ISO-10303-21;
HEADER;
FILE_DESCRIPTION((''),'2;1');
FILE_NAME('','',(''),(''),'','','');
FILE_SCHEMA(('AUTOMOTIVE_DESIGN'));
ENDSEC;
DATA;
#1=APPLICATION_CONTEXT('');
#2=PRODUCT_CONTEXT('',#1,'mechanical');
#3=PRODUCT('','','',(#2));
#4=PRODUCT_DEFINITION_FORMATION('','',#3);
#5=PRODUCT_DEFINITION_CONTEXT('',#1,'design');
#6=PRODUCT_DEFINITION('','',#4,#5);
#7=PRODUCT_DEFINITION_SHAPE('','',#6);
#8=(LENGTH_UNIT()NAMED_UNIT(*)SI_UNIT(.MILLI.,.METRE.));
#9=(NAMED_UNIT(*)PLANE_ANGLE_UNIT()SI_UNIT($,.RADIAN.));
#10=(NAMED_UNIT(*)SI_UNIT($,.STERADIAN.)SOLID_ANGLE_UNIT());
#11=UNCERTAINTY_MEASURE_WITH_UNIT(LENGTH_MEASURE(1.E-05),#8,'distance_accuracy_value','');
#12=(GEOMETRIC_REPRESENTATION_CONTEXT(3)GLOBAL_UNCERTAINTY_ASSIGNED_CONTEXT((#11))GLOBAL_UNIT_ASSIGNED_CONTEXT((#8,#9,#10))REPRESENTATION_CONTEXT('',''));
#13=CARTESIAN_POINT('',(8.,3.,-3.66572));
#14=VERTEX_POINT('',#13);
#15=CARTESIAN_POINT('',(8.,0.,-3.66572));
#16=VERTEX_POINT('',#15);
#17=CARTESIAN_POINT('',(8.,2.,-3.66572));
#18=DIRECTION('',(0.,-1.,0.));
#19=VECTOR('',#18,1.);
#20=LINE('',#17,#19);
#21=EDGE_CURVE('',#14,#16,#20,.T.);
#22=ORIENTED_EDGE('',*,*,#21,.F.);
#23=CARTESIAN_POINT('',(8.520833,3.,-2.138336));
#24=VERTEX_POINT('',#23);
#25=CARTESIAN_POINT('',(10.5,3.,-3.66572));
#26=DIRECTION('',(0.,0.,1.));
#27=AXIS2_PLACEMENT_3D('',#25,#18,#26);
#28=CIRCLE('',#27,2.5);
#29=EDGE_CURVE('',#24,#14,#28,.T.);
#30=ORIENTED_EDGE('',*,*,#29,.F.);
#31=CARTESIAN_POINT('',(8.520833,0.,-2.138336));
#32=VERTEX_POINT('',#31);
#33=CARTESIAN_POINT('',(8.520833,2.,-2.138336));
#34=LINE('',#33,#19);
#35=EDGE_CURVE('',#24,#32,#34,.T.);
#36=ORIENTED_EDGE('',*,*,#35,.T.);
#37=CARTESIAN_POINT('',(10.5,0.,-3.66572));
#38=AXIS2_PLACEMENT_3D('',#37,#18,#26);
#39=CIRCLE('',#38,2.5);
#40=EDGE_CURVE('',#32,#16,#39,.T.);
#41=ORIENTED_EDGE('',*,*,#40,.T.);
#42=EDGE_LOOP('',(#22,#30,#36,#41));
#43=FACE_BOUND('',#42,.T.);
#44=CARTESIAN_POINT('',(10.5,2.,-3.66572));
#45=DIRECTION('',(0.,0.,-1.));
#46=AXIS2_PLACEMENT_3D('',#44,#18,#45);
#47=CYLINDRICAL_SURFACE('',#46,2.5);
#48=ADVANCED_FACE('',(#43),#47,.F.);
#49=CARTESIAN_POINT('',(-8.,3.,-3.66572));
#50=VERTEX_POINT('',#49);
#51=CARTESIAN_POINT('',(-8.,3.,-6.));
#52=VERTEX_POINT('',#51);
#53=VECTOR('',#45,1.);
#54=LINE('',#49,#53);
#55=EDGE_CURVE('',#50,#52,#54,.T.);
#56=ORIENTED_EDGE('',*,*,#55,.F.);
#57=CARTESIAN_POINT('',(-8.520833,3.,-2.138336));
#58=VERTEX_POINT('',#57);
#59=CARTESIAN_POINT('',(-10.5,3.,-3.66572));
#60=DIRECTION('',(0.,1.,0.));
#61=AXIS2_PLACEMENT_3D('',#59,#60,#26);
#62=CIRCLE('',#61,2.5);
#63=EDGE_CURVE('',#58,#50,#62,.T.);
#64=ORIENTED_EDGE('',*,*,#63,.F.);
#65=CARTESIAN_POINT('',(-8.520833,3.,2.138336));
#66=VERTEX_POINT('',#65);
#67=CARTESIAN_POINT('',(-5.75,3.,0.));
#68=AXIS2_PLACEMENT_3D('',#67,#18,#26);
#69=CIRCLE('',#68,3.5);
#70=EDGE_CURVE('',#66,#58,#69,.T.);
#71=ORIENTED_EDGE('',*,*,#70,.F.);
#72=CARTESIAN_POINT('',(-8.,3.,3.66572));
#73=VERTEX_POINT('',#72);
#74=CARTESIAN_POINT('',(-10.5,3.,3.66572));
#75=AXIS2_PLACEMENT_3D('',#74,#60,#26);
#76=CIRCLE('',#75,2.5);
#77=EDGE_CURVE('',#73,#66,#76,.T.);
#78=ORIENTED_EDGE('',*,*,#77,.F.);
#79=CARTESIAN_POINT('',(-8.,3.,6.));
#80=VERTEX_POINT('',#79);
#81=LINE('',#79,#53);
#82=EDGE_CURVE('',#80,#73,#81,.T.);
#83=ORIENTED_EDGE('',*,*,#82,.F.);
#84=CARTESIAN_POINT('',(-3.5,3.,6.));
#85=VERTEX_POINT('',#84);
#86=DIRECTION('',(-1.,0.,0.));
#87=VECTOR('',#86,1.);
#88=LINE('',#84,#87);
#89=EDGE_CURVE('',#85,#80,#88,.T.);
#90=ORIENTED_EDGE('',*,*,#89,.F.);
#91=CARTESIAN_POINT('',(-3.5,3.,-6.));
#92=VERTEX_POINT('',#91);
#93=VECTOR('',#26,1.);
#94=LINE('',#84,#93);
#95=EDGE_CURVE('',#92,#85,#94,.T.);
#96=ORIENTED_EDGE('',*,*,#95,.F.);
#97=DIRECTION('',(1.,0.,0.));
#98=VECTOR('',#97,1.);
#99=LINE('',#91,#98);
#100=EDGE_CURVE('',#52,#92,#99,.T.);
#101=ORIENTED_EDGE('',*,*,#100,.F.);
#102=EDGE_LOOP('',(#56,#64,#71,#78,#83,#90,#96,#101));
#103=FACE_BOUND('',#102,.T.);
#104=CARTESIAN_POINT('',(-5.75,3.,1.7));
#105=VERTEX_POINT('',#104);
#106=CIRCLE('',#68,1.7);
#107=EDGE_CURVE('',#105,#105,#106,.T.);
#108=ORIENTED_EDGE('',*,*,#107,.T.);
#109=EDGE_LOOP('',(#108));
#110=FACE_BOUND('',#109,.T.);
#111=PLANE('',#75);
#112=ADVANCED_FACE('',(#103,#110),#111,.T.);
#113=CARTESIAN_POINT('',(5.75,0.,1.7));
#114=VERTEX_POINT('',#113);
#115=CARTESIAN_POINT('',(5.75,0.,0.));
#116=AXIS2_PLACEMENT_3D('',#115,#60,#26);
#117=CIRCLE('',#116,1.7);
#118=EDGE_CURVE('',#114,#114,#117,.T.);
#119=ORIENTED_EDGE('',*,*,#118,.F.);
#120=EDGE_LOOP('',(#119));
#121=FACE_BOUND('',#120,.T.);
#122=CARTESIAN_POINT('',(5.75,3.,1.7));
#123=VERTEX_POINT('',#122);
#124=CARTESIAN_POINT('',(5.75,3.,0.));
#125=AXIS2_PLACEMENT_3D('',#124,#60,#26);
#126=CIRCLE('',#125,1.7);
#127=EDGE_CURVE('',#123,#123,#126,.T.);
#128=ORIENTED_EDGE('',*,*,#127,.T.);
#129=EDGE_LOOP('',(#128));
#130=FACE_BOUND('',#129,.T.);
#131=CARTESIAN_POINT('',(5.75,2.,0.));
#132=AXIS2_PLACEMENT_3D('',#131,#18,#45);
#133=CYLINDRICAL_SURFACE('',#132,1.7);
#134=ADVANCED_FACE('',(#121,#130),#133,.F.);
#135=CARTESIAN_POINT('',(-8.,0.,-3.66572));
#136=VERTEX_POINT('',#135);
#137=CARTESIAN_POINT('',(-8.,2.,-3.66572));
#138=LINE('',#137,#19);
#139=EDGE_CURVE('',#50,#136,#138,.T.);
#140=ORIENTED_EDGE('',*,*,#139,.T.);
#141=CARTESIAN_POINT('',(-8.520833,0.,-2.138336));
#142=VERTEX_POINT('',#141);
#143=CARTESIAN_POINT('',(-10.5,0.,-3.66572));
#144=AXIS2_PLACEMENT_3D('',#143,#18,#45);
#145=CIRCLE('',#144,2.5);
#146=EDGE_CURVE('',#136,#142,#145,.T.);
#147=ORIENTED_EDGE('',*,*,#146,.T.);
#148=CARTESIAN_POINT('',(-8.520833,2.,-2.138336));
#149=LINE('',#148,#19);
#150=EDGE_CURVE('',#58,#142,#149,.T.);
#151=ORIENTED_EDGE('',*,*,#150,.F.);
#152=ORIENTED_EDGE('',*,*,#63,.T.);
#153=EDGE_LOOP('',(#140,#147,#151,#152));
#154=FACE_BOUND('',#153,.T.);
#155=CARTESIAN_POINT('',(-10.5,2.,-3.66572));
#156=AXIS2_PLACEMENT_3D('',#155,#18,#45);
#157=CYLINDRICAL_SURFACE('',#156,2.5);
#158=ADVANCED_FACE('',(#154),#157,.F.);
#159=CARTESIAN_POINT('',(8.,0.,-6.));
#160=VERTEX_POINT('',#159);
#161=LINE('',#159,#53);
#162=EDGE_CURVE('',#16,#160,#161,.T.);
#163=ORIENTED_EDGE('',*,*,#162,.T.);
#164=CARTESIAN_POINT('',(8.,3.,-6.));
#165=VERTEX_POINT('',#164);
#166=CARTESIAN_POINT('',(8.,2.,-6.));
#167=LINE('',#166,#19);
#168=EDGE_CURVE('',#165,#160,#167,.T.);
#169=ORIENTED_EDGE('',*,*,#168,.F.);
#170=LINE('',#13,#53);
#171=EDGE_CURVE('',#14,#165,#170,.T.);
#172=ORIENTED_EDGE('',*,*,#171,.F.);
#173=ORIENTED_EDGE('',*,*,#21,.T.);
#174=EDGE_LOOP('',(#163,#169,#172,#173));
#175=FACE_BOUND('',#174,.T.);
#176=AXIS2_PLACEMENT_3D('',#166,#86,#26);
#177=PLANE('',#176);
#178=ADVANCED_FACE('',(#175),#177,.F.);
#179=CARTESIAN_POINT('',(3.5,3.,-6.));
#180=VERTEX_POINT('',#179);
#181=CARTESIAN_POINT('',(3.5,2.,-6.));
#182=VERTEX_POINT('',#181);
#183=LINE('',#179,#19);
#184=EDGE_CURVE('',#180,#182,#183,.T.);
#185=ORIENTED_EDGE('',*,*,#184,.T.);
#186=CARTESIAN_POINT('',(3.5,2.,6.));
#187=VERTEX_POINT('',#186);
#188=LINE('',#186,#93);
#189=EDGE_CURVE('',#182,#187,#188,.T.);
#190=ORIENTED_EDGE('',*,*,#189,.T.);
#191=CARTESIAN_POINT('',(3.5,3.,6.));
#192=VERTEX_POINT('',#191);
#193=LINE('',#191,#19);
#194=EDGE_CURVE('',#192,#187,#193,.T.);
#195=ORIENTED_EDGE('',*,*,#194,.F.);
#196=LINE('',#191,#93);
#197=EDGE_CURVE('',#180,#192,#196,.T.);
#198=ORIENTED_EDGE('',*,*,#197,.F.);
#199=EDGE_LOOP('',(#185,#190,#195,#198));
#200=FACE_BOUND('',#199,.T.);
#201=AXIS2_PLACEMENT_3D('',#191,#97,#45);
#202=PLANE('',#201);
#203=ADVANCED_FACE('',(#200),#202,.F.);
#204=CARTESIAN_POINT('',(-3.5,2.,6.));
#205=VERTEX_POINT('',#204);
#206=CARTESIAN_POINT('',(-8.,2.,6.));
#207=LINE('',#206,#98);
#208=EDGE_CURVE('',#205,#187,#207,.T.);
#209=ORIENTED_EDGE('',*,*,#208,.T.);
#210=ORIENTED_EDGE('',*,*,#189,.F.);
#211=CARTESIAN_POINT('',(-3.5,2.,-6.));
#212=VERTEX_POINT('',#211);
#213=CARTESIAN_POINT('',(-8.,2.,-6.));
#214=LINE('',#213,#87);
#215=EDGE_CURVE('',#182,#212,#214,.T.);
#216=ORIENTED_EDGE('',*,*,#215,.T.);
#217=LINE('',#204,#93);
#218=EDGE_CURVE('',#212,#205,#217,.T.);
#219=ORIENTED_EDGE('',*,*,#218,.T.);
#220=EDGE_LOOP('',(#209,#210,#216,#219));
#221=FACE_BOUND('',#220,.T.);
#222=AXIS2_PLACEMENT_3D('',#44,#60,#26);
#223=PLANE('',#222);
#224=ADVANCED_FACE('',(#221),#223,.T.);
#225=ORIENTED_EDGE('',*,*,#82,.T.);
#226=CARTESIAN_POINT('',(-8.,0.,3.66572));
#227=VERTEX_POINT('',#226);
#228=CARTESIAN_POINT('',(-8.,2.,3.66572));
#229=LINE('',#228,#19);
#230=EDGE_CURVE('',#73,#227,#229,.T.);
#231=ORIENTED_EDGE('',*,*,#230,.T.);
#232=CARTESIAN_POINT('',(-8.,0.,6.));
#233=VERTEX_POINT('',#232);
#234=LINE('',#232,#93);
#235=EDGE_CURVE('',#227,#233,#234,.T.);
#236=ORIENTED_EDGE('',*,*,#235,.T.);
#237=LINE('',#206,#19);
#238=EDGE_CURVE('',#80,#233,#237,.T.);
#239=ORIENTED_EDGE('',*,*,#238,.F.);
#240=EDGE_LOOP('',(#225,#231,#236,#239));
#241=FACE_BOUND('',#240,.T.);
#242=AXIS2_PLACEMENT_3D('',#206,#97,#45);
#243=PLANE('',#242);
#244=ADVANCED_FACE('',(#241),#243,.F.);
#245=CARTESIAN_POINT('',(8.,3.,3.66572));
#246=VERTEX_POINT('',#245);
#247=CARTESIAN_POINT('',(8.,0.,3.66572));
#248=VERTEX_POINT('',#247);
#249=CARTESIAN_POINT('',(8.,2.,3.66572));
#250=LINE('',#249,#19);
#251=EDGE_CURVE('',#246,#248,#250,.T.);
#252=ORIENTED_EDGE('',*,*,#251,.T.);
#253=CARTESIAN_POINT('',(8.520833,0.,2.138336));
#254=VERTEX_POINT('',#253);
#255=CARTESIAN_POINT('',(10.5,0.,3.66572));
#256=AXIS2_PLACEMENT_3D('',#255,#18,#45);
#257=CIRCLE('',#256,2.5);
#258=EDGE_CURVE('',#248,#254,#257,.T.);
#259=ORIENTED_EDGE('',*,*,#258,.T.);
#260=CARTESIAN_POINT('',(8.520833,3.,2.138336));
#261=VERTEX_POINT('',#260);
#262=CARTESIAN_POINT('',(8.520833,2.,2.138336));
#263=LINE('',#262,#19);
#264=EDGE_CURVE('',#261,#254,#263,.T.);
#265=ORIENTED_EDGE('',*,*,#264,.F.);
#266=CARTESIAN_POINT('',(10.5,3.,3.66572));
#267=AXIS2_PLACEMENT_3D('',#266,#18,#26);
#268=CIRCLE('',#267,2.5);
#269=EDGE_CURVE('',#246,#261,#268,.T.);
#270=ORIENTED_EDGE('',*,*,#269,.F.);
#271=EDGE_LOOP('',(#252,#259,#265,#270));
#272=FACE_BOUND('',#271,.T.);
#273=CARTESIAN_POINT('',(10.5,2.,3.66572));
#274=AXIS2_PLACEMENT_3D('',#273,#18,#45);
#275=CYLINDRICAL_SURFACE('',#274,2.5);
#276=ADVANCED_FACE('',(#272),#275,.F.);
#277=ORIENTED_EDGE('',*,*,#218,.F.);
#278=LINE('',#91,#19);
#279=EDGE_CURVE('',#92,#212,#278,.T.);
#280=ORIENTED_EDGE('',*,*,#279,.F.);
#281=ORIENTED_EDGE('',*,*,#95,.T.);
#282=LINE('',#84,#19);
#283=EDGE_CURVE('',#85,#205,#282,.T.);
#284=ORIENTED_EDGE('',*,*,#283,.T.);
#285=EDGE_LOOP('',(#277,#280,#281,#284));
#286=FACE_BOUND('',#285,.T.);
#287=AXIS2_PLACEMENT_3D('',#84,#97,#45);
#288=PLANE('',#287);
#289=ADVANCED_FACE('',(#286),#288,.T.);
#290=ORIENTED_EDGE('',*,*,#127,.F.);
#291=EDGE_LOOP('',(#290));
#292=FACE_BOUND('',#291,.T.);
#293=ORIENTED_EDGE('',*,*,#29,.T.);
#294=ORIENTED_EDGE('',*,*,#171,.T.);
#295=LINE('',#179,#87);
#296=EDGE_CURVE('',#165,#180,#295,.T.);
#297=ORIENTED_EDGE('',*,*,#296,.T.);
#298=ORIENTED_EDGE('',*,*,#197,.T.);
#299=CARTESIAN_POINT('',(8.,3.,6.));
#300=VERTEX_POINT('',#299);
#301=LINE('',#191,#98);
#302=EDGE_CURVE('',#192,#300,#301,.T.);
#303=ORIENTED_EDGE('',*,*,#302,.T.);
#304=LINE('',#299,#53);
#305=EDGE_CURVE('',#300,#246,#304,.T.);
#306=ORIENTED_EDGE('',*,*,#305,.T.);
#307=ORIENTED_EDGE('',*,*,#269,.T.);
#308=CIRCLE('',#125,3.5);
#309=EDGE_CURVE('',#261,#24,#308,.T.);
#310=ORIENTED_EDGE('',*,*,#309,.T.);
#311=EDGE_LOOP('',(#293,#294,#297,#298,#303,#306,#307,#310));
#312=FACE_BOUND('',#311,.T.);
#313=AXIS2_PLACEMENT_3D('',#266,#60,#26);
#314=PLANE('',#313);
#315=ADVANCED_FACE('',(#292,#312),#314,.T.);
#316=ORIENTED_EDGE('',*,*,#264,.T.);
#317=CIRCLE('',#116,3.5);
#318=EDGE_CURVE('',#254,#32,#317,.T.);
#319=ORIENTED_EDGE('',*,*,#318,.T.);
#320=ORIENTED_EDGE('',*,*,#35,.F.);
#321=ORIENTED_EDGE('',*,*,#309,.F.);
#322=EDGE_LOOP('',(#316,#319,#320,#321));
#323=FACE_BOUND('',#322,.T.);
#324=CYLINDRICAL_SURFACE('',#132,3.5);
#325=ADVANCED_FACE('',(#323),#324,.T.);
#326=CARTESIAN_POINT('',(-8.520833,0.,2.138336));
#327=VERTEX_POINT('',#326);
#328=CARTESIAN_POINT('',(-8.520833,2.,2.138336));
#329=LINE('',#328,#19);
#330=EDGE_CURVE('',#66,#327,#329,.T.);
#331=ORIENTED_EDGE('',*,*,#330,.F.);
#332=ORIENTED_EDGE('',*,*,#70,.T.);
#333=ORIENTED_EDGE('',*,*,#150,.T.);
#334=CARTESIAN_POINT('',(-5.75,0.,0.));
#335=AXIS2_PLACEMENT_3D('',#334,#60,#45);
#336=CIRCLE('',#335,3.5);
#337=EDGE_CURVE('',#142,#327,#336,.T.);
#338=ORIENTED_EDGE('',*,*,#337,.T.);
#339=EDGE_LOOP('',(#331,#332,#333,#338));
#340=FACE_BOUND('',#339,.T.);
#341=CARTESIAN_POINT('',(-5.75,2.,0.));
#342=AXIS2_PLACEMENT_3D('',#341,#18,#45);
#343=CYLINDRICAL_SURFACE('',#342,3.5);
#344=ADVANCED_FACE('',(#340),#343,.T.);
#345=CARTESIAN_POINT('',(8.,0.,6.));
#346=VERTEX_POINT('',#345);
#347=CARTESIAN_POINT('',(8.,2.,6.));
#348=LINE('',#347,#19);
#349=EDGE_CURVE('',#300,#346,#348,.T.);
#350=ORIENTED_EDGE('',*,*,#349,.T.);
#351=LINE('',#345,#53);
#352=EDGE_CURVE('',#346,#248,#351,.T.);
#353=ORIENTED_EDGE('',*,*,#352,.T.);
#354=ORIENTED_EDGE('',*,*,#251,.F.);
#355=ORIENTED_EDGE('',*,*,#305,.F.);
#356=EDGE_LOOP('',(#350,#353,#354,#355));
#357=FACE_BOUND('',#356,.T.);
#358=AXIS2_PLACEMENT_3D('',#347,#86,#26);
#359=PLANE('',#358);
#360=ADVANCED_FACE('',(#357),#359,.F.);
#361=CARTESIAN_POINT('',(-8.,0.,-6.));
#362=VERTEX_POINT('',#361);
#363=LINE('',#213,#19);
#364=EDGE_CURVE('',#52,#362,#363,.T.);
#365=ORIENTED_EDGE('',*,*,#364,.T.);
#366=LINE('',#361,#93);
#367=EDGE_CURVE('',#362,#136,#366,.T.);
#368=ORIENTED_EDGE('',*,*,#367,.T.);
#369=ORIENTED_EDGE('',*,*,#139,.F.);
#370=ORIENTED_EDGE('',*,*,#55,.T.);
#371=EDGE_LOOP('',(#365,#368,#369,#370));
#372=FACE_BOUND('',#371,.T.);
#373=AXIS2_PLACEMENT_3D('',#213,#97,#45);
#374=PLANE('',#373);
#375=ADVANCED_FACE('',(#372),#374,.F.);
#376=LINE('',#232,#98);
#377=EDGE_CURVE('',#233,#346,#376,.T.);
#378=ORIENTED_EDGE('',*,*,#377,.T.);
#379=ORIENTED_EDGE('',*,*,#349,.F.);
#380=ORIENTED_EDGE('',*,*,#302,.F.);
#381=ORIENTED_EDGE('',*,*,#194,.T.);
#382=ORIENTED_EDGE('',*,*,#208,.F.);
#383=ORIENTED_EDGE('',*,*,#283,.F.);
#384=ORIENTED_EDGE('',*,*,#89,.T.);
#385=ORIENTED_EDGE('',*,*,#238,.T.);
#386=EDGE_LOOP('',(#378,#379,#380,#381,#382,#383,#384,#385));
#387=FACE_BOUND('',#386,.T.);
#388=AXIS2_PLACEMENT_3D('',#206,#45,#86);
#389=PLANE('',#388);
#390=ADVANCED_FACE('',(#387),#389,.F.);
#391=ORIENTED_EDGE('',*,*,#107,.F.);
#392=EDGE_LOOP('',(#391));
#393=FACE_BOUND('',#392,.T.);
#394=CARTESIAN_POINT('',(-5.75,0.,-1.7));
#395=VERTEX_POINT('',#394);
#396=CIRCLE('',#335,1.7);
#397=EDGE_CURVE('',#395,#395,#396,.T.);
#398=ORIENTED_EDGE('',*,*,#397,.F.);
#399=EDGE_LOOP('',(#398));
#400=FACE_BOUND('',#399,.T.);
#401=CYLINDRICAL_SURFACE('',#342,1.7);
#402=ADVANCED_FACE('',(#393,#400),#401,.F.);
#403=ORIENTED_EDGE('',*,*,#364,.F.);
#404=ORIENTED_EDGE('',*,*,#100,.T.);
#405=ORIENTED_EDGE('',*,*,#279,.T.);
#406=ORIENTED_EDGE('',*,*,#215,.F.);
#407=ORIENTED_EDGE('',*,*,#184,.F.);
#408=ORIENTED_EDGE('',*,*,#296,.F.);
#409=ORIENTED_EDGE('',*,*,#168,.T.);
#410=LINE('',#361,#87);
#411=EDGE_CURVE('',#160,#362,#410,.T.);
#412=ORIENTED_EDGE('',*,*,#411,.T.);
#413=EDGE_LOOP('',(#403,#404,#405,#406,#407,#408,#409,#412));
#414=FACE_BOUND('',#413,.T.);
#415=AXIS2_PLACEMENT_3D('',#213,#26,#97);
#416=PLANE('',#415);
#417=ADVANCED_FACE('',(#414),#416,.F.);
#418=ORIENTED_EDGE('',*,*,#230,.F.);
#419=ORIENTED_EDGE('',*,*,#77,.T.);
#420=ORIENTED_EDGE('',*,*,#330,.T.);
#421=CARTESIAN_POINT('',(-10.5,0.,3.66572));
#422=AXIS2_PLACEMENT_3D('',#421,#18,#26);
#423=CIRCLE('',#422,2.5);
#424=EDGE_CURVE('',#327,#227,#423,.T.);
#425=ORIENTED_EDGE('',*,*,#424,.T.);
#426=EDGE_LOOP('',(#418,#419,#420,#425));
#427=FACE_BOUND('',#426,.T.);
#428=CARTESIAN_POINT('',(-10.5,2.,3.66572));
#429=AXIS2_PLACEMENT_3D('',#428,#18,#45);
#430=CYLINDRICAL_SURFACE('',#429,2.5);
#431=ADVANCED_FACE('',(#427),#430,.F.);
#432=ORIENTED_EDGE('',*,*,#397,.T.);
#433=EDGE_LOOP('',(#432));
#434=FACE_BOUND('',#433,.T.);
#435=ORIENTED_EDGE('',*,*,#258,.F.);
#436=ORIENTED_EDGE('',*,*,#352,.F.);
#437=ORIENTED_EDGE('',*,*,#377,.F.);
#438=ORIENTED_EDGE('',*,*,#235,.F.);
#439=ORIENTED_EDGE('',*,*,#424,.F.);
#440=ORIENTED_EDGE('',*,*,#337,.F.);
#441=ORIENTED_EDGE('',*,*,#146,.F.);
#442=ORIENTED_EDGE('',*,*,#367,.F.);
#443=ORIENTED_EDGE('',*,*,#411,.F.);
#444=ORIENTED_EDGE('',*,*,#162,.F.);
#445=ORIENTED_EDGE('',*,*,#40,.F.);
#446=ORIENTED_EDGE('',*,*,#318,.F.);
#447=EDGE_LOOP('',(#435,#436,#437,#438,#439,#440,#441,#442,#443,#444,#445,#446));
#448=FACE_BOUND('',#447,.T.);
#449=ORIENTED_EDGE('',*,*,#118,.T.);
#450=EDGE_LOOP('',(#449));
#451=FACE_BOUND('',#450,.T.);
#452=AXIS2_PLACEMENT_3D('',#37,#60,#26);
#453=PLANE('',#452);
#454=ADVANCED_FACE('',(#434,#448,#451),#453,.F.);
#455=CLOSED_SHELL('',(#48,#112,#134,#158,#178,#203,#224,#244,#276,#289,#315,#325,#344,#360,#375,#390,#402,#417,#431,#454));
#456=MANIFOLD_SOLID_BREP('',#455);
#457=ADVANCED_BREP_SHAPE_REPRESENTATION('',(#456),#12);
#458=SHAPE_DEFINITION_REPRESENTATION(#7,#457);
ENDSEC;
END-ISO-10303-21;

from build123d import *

# Parameters (mm, degrees)
CROQUIS1_R              = 1.7
SALIENTE_EXTRUIR1_DEPTH = 2
CROQUIS5_R              = 1.7
SALIENTE_EXTRUIR3_DEPTH = 1


with BuildPart() as part:
    # Croquis1 → Saliente-Extruir1 (new body)
    with BuildSketch(Plane(origin=(0, 0, 0), x_dir=(1, 0, 0), z_dir=(0, 1, 0))):
        with BuildLine():
            Line((-8, 6), (8, 6))
            Line((8, 6), (8, 3.665719575))
            ThreePointArc((8, 3.665719575), (8.133788189, 2.858848044), (8.520833333, 2.138336419))
            ThreePointArc((8.520833333, 2.138336419), (9.25, 0), (8.520833333, -2.138336419))
            ThreePointArc((8.520833333, -2.138336419), (8.133788189, -2.858848044), (8, -3.665719575))
            Line((8, -3.665719575), (8, -6))
            Line((8, -6), (-8, -6))
            Line((-8, -6), (-8, -3.665719575))
            ThreePointArc((-8, -3.665719575), (-8.133788189, -2.858848044), (-8.520833333, -2.138336419))
            ThreePointArc((-8.520833333, -2.138336419), (-9.25, 0), (-8.520833333, 2.138336419))
            ThreePointArc((-8.520833333, 2.138336419), (-8.133788189, 2.858848044), (-8, 3.665719575))
            Line((-8, 3.665719575), (-8, 6))
        make_face()
        with Locations((5.75, 0)):
            Circle(CROQUIS1_R, mode=Mode.SUBTRACT)
        with Locations((-5.75, 0)):
            Circle(CROQUIS1_R, mode=Mode.SUBTRACT)
    extrude(amount=SALIENTE_EXTRUIR1_DEPTH)

    # Croquis5 → Saliente-Extruir3 (add)
    with BuildSketch(Plane(origin=(0, 2, 0), x_dir=(1, 0, 0), z_dir=(0, 1, 0))):
        with BuildLine():
            Line((3.5, -6), (3.5, 6))
            Line((3.5, 6), (8, 6))
            Line((8, 6), (8, 3.665719575))
            ThreePointArc((8, 3.665719575), (8.133788189, 2.858848044), (8.520833333, 2.138336419))
            ThreePointArc((8.520833333, 2.138336419), (9.25, 0), (8.520833333, -2.138336419))
            ThreePointArc((8.520833333, -2.138336419), (8.133788189, -2.858848044), (8, -3.665719575))
            Line((8, -3.665719575), (8, -6))
            Line((8, -6), (3.5, -6))
        make_face()
        with Locations((5.75, 0)):
            Circle(CROQUIS5_R, mode=Mode.SUBTRACT)
    saliente_extruir3 = extrude(amount=SALIENTE_EXTRUIR3_DEPTH)

    # Simetría1: Saliente-Extruir3 across plane
    add(saliente_extruir3.mirror(Plane(origin=(0, 0, 0), x_dir=(0, 0, 1), z_dir=(1, 0, 0))))


solid = part.part
